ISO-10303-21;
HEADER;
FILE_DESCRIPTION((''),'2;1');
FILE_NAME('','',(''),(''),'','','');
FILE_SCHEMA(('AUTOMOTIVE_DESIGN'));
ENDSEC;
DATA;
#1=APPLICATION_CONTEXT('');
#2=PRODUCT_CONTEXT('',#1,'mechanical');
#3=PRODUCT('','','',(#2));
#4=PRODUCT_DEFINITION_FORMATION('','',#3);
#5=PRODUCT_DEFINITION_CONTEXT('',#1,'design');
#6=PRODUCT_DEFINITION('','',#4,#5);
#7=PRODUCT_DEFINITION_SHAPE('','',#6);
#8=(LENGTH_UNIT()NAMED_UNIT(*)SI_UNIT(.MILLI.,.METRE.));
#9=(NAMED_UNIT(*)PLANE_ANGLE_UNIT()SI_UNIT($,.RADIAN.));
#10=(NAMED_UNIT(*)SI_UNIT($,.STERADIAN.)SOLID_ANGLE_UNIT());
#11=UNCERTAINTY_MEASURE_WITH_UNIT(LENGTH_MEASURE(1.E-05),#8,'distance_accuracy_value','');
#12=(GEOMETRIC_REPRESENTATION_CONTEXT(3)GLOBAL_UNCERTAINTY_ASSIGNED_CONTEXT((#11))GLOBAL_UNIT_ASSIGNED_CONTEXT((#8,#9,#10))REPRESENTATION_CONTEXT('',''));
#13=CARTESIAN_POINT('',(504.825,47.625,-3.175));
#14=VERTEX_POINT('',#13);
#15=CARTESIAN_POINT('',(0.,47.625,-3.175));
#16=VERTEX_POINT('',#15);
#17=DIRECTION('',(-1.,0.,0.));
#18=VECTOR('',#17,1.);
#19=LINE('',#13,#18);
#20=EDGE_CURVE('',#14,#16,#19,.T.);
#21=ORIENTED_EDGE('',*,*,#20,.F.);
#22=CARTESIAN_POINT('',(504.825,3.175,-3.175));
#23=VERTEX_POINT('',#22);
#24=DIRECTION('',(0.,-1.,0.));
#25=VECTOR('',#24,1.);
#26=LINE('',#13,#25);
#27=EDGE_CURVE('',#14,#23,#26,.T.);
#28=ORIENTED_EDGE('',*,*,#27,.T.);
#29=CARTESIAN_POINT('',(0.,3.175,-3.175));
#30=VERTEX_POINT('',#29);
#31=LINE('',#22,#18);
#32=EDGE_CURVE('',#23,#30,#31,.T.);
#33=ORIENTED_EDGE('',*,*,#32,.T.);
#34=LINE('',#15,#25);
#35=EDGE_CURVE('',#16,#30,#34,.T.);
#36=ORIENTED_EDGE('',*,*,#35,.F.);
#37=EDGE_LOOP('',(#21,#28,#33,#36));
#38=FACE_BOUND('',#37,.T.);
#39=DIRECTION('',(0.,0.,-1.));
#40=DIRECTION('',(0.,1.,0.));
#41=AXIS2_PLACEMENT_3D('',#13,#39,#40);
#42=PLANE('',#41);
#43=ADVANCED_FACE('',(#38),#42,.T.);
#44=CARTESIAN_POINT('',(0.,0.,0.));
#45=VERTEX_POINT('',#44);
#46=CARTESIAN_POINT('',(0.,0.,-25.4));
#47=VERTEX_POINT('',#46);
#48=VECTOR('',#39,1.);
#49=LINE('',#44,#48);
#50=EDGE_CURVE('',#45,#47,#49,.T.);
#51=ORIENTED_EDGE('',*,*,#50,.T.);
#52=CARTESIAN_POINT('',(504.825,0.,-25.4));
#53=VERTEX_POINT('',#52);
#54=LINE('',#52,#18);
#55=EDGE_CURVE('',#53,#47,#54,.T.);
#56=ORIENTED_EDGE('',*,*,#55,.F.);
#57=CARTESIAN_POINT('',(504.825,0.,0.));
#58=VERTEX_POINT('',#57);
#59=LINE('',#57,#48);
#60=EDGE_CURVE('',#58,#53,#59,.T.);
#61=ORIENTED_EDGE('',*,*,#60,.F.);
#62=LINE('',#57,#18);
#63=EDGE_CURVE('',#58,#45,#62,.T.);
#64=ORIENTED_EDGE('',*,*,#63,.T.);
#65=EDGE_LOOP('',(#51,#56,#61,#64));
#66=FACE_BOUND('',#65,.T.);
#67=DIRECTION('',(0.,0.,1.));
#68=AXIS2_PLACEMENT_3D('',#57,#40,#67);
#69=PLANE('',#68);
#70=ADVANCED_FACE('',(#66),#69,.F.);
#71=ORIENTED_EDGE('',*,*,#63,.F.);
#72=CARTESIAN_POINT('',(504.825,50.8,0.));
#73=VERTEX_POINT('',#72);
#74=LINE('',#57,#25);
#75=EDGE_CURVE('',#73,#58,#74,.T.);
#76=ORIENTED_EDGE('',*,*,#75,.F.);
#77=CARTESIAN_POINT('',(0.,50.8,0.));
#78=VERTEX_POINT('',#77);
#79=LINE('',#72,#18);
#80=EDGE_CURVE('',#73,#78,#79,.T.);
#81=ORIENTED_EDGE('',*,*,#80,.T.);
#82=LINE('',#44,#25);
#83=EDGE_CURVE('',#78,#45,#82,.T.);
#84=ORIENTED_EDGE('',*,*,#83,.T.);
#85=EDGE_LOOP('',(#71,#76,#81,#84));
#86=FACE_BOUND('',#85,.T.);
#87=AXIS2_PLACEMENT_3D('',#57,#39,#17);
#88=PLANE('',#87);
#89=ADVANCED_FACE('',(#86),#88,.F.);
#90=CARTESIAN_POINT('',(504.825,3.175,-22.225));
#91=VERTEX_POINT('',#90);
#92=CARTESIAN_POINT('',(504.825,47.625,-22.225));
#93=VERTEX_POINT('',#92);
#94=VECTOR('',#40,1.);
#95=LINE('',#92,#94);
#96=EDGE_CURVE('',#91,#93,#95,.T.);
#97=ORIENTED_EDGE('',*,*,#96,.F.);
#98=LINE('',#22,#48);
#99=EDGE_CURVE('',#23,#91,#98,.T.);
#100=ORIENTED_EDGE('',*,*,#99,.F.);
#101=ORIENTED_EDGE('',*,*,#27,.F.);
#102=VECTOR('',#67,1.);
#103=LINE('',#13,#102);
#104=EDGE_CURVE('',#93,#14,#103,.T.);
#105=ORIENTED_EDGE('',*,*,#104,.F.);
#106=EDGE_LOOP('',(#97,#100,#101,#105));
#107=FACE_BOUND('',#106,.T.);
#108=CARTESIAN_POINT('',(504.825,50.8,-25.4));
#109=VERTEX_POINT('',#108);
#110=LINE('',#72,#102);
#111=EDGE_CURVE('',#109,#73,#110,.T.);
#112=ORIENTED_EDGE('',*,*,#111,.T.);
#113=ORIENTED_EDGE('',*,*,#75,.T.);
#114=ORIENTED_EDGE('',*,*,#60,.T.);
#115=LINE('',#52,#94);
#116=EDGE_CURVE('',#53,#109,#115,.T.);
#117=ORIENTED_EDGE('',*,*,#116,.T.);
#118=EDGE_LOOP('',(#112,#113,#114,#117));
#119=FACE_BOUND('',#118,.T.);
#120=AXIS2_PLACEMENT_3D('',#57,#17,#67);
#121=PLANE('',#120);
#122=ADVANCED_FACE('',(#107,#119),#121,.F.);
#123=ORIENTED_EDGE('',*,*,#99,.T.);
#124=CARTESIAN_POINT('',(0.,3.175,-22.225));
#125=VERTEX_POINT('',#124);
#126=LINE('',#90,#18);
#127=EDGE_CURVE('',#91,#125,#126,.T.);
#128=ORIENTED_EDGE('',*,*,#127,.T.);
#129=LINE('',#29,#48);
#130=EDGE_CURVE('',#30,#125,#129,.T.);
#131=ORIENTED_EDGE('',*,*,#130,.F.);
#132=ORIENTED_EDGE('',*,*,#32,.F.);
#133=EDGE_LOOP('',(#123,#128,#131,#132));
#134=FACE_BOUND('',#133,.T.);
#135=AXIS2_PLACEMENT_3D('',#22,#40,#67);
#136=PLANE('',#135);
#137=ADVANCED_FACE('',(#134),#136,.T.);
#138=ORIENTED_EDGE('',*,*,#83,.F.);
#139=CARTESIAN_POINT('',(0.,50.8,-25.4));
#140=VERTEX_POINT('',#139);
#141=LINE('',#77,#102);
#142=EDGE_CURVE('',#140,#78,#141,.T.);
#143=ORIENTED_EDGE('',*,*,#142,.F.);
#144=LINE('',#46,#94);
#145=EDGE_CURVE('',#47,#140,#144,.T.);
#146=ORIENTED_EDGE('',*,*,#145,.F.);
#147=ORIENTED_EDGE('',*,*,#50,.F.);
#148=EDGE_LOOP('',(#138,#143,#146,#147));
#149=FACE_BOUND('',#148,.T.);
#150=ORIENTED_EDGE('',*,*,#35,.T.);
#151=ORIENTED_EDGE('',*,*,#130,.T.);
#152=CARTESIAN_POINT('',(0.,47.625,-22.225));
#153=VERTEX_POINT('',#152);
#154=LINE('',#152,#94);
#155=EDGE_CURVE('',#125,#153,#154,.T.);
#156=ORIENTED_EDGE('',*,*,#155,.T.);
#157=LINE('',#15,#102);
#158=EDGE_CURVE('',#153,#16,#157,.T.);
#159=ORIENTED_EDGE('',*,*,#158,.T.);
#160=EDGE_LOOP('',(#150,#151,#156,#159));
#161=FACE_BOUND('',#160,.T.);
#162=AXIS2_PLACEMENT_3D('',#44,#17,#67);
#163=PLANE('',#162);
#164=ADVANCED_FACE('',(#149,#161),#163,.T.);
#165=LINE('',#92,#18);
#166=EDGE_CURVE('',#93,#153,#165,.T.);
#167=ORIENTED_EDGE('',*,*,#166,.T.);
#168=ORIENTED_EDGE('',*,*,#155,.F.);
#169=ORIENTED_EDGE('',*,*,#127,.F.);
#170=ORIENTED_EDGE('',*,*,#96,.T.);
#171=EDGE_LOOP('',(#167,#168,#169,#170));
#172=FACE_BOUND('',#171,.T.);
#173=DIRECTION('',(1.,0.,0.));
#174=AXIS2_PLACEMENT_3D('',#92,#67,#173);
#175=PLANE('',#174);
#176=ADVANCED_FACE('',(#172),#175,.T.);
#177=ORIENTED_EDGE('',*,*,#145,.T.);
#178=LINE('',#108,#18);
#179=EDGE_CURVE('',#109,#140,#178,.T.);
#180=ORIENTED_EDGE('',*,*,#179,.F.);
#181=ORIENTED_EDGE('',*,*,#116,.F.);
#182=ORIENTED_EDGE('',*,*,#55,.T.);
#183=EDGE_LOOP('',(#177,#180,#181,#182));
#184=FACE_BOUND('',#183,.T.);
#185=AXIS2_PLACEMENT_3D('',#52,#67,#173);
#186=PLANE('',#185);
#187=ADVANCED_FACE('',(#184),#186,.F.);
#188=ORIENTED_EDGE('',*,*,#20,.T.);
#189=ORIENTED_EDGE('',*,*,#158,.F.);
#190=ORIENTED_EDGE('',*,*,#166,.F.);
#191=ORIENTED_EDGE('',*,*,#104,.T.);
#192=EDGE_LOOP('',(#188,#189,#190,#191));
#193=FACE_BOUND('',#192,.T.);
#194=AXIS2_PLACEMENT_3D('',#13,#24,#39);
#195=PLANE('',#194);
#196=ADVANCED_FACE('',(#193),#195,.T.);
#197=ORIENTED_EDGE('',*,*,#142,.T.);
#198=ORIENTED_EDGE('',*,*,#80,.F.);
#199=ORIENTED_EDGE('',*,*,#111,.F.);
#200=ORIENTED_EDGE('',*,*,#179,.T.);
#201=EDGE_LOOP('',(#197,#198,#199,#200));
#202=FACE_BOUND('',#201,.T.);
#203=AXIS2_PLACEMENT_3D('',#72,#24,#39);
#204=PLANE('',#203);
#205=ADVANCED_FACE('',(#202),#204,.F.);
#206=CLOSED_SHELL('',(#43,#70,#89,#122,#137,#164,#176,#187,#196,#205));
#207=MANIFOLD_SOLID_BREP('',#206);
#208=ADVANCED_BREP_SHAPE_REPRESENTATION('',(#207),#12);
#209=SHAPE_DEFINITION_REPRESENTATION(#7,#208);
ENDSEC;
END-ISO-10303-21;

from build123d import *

# Parameters (mm, degrees)
SKETCH1_W           = 25.4
SKETCH1_H           = 50.8
SKETCH1_W_2         = 19.05
SKETCH1_H_2         = 44.45
BOSS_EXTRUDE1_DEPTH = 504.825


with BuildPart() as part:
    # Sketch1 → Boss-Extrude1 (new body)
    with BuildSketch(Plane(origin=(0, 0, 0), x_dir=(0, 0, -1), z_dir=(1, 0, 0))):
        with Locations((12.7, 25.4)):
            Rectangle(SKETCH1_W, SKETCH1_H)
        with Locations((12.7, 25.4)):
            Rectangle(SKETCH1_W_2, SKETCH1_H_2, mode=Mode.SUBTRACT)
    extrude(amount=BOSS_EXTRUDE1_DEPTH)


solid = part.part
